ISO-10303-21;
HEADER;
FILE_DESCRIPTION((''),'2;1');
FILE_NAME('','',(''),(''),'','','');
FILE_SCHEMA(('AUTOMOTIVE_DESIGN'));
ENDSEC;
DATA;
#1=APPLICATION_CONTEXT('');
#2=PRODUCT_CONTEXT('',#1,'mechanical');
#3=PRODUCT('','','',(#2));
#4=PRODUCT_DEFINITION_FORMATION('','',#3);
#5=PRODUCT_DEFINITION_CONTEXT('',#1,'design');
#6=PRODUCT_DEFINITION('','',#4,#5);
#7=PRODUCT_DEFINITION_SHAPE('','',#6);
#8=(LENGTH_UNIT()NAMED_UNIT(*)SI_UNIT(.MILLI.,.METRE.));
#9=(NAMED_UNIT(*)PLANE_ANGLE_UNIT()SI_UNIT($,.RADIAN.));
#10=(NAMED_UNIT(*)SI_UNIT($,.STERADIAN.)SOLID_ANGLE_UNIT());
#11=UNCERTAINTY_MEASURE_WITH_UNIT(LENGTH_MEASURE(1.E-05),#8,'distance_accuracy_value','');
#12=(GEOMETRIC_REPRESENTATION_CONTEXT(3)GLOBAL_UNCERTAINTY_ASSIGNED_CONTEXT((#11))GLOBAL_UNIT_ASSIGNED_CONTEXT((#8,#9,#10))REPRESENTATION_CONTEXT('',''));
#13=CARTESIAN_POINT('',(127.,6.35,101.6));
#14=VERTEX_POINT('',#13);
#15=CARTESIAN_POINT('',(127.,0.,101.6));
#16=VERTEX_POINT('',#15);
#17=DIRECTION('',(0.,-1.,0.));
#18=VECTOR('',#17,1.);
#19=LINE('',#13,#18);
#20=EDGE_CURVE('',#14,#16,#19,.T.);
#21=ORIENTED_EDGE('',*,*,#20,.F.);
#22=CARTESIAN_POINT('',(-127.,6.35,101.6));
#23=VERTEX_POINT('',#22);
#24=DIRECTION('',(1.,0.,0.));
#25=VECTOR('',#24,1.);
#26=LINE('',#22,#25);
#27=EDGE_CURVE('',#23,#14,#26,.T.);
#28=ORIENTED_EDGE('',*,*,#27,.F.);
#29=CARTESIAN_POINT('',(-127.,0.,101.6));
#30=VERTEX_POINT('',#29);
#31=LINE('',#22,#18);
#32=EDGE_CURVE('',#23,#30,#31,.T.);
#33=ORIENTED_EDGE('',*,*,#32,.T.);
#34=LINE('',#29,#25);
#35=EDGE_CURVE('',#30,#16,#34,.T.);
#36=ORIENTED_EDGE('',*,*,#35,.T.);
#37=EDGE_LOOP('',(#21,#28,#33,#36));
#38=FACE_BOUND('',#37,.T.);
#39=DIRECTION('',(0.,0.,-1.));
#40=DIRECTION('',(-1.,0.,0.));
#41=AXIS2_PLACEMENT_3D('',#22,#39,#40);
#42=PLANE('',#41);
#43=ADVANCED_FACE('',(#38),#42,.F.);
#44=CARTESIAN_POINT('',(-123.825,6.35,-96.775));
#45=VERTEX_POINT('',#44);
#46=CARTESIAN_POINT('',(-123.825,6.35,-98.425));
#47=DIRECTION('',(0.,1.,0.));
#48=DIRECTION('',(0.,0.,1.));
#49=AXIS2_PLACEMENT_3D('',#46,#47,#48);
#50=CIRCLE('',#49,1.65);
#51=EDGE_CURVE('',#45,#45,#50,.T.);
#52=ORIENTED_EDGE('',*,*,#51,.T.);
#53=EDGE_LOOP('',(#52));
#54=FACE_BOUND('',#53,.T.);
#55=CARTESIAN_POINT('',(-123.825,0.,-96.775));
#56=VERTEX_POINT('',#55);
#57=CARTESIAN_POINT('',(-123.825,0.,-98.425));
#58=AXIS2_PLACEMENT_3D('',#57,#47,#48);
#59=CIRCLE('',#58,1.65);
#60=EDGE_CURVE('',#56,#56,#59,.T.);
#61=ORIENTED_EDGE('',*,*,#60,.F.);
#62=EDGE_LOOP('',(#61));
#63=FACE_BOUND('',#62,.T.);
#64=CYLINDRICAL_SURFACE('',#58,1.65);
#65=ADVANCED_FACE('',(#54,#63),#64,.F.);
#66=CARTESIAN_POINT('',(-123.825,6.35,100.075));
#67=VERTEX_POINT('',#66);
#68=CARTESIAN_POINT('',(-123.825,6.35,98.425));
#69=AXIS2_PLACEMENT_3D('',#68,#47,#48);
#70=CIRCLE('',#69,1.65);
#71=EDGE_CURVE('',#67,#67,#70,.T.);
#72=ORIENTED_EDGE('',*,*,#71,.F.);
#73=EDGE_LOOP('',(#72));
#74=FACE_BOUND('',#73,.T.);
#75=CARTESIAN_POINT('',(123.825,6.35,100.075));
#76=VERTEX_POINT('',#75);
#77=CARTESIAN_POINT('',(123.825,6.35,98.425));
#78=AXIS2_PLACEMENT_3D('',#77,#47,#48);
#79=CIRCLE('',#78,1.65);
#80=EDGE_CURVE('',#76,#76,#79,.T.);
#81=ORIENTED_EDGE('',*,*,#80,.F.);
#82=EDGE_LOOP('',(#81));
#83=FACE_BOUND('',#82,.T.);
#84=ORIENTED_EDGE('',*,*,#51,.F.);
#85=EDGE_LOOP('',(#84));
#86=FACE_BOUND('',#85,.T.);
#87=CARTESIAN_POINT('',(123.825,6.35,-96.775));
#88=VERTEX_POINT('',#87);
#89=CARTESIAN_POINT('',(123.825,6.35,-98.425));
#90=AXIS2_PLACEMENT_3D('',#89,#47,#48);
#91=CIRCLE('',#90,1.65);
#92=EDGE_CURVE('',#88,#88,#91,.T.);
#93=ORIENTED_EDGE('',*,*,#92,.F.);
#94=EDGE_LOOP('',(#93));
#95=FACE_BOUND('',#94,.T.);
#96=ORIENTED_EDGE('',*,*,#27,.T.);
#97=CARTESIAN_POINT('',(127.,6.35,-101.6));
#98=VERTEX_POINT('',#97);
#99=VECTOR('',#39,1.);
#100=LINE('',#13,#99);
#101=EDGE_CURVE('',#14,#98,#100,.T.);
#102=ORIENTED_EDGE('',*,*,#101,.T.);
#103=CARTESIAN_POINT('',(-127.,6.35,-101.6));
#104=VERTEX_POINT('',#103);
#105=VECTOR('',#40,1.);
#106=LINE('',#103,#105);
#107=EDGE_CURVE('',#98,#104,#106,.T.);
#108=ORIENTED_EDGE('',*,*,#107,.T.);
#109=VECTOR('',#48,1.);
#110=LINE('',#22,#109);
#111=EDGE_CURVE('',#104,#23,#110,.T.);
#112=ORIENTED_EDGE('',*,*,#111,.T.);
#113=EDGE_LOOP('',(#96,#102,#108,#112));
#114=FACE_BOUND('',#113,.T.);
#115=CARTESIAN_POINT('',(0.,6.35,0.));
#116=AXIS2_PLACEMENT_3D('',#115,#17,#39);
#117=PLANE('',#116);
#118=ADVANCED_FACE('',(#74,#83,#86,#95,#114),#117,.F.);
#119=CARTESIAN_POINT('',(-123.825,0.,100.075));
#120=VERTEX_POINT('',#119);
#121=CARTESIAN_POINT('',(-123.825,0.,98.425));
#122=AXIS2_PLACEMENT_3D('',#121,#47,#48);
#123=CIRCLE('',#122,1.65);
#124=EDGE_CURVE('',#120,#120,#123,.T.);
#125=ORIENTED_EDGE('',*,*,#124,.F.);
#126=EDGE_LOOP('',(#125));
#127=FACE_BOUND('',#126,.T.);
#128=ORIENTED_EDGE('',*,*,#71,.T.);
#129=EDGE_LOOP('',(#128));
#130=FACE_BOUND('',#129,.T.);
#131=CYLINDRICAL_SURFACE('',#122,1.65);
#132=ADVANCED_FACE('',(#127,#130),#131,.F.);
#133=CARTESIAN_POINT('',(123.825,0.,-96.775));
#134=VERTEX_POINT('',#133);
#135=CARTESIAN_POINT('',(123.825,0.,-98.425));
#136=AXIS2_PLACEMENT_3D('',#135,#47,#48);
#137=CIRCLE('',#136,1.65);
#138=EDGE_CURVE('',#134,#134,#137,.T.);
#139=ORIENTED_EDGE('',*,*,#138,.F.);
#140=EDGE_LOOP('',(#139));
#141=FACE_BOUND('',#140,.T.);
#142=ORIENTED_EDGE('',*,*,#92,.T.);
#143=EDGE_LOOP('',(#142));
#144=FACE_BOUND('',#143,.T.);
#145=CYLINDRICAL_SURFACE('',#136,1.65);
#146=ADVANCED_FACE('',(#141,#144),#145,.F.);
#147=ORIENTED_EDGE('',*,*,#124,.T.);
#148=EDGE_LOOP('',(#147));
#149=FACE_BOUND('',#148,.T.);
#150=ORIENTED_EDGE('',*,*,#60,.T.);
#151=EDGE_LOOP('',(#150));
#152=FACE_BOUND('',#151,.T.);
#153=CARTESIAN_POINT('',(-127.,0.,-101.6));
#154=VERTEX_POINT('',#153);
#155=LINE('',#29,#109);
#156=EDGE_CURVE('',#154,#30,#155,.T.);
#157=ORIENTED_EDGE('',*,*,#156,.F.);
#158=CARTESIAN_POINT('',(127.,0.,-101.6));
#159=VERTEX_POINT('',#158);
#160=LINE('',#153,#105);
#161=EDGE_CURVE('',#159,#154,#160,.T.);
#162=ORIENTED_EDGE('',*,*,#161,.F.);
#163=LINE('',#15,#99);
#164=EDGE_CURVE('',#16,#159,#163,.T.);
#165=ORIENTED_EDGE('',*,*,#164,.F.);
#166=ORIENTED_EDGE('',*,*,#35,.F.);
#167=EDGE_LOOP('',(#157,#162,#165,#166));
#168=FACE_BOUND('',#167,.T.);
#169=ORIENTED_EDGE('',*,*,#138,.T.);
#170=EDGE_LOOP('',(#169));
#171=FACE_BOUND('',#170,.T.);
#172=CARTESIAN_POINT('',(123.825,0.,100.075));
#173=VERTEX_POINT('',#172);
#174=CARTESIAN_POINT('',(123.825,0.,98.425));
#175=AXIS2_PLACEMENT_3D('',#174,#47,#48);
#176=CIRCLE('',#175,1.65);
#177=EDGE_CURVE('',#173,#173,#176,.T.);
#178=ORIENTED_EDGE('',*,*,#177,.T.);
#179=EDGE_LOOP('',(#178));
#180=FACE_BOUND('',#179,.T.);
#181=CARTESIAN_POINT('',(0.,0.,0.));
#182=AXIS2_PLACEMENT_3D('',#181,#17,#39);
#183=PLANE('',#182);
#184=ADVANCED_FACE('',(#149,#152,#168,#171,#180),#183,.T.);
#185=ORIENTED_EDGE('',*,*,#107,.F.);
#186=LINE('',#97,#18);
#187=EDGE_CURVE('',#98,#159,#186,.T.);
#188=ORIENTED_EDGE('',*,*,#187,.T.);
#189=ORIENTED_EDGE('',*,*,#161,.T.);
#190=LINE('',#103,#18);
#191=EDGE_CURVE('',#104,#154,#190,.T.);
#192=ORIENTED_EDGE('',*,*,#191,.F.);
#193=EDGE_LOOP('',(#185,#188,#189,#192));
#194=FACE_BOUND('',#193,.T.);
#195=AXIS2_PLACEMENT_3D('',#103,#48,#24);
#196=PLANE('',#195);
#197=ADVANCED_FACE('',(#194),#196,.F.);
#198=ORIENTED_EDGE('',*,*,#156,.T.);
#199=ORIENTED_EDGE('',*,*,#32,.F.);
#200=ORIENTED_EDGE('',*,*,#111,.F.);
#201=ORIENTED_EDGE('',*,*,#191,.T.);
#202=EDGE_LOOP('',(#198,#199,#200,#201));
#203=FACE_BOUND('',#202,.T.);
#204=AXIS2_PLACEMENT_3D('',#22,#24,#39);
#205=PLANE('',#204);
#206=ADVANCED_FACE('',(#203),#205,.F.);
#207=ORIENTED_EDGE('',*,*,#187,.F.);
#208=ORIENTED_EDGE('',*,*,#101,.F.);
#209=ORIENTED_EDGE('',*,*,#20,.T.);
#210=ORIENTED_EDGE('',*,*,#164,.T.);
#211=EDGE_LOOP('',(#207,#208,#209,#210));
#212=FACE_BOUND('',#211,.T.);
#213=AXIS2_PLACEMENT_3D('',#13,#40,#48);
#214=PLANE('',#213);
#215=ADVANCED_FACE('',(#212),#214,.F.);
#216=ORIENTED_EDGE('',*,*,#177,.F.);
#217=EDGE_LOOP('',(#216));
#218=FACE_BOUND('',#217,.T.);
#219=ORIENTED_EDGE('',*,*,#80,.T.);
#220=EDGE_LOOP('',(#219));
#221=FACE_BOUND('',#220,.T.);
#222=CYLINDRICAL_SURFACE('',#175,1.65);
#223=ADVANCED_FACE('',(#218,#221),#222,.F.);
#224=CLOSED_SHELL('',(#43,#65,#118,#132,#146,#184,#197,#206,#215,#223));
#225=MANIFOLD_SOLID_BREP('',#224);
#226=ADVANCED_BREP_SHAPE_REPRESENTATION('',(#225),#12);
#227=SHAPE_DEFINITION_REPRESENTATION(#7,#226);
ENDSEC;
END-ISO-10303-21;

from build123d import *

# Parameters (mm, degrees)
SKETCH1_W           = 254
SKETCH1_H           = 203.2
BOSS_EXTRUDE1_DEPTH = 6.35
SKETCH3_R           = 1.65
CUT_EXTRUDE1_DEPTH  = 163.763271348


with BuildPart() as part:
    # Sketch1 → Boss-Extrude1 (new body)
    with BuildSketch(Plane(origin=(0, 0, 0), x_dir=(1, 0, 0), z_dir=(0, 1, 0))):
        Rectangle(SKETCH1_W, SKETCH1_H)
    extrude(amount=BOSS_EXTRUDE1_DEPTH)

    # Sketch3 → Cut-Extrude1 (cut, through all)
    with BuildSketch(Plane(origin=(0, 6.35, 0), x_dir=(1, 0, 0), z_dir=(0, 1, 0))):
        with Locations(Location((123.825, 98.425, 0), (0, 0, 270))):
            Circle(SKETCH3_R)
        with Locations(Location((123.825, -98.425, 0), (0, 0, 270))):
            Circle(SKETCH3_R)
        with Locations(Location((-123.825, -98.425, 0), (0, 0, 270))):
            Circle(SKETCH3_R)
        with Locations(Location((-123.825, 98.425, 0), (0, 0, 270))):
            Circle(SKETCH3_R)
    extrude(amount=-CUT_EXTRUDE1_DEPTH, mode=Mode.SUBTRACT)


solid = part.part
